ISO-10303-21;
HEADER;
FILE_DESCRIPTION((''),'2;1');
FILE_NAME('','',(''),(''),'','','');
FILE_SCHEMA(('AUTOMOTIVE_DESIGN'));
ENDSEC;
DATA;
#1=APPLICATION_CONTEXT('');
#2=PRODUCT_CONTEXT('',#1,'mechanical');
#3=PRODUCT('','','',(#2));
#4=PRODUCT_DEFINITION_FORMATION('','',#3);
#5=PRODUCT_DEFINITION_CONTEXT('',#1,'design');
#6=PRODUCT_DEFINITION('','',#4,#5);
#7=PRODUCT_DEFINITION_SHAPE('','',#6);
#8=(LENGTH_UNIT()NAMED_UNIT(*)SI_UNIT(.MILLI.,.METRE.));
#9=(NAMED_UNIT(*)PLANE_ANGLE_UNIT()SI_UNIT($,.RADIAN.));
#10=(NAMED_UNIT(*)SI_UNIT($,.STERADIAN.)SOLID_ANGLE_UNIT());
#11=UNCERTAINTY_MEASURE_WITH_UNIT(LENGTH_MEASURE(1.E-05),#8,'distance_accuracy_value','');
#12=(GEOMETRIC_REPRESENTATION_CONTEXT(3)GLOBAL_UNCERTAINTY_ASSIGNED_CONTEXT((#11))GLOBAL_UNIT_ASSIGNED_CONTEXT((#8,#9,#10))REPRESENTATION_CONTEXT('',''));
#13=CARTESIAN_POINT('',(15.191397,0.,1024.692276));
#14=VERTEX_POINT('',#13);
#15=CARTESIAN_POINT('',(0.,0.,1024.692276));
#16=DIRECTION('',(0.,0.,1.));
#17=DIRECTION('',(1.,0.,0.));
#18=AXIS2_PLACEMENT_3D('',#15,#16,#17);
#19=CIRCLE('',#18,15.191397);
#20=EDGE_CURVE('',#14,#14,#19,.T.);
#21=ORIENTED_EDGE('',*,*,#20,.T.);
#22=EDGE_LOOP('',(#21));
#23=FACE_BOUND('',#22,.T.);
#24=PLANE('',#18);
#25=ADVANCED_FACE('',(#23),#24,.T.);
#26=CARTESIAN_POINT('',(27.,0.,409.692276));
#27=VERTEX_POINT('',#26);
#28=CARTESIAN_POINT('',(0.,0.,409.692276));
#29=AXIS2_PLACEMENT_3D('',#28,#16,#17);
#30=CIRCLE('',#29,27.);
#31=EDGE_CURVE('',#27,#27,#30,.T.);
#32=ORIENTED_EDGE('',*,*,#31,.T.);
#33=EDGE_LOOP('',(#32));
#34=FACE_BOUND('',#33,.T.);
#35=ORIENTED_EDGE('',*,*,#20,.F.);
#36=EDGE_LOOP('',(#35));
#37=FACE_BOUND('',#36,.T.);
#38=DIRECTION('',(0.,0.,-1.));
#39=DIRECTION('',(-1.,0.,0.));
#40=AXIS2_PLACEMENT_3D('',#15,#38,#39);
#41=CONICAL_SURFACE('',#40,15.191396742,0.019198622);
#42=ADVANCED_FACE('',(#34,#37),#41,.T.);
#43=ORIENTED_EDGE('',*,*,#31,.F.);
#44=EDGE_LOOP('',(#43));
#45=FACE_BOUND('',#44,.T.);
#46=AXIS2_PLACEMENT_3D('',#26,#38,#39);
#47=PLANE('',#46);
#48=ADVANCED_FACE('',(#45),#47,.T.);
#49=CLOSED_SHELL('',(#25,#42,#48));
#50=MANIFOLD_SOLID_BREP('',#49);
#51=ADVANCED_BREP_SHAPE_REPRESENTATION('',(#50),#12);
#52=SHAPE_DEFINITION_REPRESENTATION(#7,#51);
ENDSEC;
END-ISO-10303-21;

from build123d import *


with BuildPart() as part:
    # Sketch1 → Revolve1 (revolve)
    with BuildSketch(Plane(origin=(0, 0, 0), x_dir=(1, 0, 0), z_dir=(0, 1, 0))):
        Polygon((27, -409.69227612), (0, -409.69227612), (0, -1024.69227612), (15.191396742, -1024.69227612), align=None)
    revolve(axis=Axis((0, 0, 409.69227612), (0, 0, 1)))


solid = part.part
